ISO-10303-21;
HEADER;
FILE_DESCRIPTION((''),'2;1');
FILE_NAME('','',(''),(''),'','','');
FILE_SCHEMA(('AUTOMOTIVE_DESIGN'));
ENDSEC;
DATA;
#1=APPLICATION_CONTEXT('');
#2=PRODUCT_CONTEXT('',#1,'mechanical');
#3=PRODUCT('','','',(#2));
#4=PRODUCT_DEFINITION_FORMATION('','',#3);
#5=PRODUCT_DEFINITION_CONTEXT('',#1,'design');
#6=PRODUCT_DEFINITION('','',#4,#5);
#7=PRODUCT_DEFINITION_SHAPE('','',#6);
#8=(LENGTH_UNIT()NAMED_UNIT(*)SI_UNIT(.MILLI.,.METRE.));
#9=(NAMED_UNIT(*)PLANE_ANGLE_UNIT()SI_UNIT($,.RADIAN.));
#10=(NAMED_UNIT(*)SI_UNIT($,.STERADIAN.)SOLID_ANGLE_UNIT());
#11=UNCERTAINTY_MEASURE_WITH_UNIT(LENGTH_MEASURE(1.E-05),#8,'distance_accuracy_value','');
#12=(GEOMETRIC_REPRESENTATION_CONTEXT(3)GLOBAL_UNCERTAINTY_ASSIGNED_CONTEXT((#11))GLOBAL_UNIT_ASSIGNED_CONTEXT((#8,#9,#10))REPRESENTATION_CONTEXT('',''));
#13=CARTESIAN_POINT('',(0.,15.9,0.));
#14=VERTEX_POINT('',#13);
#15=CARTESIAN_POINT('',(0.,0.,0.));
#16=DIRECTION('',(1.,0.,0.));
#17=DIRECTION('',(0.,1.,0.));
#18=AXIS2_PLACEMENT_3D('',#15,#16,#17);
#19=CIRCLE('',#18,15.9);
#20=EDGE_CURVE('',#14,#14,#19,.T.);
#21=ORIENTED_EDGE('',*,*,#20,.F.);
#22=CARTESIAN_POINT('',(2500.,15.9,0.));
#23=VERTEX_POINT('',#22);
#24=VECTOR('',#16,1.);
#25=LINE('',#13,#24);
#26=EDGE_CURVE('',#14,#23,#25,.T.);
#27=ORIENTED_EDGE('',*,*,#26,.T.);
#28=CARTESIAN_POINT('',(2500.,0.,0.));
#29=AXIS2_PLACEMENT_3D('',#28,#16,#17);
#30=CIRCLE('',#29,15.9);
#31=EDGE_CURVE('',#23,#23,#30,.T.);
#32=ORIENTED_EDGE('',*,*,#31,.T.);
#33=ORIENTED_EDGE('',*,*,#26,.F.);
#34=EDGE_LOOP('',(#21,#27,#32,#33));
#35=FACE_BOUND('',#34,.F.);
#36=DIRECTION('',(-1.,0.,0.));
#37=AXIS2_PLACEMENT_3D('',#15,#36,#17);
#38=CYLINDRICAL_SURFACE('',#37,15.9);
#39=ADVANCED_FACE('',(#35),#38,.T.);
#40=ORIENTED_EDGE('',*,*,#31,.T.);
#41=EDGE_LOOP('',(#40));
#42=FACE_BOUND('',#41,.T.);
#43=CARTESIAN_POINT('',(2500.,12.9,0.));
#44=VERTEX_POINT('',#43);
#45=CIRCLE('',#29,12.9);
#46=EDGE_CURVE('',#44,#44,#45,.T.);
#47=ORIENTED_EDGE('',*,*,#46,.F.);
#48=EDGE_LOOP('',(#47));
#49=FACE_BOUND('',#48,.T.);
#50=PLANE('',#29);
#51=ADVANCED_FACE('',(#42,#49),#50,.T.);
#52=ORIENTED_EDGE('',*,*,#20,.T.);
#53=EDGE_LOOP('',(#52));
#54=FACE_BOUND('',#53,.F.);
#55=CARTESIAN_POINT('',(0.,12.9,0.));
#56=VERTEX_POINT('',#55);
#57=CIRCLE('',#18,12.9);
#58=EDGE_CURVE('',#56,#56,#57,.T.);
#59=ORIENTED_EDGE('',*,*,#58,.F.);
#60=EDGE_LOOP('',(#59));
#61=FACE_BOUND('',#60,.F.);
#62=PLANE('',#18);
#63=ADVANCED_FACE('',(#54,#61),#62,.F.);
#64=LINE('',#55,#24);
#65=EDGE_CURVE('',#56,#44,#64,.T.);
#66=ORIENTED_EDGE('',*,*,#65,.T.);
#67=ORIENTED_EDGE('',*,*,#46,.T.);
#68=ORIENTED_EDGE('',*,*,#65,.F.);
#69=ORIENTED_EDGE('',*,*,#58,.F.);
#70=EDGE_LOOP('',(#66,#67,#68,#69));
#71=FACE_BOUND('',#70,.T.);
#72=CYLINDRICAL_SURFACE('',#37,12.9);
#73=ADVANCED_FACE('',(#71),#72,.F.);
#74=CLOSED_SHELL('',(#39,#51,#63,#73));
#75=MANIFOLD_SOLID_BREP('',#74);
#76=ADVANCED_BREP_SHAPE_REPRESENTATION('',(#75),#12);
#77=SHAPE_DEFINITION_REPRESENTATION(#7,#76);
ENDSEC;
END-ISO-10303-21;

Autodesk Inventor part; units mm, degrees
ref_plane "YZ Plane" through (0, 0, 0) normal (1, 0, 0) x (0, 1, 0)
ref_plane "XZ Plane" through (0, 0, 0) normal (0, 1, 0) x (-1, 0, 0)
ref_plane "XY Plane" through (0, 0, 0) normal (0, 0, 1) x (1, 0, 0)
sketch "Sketch1" plane through (0, 0, 0) normal (1, 0, 0) x (0, 1, 0)
  circle A0 centre (0, 0) radius 15.9
  circle A1 centre (0, 0) radius 12.9
  dimension "d0" = 31.8
  dimension "d1" = 3
extrude "Extrusion1" add sketch "Sketch1" along normal blind 2500
properties part number "Carry_Pole" material "Steel, Galvanized"
